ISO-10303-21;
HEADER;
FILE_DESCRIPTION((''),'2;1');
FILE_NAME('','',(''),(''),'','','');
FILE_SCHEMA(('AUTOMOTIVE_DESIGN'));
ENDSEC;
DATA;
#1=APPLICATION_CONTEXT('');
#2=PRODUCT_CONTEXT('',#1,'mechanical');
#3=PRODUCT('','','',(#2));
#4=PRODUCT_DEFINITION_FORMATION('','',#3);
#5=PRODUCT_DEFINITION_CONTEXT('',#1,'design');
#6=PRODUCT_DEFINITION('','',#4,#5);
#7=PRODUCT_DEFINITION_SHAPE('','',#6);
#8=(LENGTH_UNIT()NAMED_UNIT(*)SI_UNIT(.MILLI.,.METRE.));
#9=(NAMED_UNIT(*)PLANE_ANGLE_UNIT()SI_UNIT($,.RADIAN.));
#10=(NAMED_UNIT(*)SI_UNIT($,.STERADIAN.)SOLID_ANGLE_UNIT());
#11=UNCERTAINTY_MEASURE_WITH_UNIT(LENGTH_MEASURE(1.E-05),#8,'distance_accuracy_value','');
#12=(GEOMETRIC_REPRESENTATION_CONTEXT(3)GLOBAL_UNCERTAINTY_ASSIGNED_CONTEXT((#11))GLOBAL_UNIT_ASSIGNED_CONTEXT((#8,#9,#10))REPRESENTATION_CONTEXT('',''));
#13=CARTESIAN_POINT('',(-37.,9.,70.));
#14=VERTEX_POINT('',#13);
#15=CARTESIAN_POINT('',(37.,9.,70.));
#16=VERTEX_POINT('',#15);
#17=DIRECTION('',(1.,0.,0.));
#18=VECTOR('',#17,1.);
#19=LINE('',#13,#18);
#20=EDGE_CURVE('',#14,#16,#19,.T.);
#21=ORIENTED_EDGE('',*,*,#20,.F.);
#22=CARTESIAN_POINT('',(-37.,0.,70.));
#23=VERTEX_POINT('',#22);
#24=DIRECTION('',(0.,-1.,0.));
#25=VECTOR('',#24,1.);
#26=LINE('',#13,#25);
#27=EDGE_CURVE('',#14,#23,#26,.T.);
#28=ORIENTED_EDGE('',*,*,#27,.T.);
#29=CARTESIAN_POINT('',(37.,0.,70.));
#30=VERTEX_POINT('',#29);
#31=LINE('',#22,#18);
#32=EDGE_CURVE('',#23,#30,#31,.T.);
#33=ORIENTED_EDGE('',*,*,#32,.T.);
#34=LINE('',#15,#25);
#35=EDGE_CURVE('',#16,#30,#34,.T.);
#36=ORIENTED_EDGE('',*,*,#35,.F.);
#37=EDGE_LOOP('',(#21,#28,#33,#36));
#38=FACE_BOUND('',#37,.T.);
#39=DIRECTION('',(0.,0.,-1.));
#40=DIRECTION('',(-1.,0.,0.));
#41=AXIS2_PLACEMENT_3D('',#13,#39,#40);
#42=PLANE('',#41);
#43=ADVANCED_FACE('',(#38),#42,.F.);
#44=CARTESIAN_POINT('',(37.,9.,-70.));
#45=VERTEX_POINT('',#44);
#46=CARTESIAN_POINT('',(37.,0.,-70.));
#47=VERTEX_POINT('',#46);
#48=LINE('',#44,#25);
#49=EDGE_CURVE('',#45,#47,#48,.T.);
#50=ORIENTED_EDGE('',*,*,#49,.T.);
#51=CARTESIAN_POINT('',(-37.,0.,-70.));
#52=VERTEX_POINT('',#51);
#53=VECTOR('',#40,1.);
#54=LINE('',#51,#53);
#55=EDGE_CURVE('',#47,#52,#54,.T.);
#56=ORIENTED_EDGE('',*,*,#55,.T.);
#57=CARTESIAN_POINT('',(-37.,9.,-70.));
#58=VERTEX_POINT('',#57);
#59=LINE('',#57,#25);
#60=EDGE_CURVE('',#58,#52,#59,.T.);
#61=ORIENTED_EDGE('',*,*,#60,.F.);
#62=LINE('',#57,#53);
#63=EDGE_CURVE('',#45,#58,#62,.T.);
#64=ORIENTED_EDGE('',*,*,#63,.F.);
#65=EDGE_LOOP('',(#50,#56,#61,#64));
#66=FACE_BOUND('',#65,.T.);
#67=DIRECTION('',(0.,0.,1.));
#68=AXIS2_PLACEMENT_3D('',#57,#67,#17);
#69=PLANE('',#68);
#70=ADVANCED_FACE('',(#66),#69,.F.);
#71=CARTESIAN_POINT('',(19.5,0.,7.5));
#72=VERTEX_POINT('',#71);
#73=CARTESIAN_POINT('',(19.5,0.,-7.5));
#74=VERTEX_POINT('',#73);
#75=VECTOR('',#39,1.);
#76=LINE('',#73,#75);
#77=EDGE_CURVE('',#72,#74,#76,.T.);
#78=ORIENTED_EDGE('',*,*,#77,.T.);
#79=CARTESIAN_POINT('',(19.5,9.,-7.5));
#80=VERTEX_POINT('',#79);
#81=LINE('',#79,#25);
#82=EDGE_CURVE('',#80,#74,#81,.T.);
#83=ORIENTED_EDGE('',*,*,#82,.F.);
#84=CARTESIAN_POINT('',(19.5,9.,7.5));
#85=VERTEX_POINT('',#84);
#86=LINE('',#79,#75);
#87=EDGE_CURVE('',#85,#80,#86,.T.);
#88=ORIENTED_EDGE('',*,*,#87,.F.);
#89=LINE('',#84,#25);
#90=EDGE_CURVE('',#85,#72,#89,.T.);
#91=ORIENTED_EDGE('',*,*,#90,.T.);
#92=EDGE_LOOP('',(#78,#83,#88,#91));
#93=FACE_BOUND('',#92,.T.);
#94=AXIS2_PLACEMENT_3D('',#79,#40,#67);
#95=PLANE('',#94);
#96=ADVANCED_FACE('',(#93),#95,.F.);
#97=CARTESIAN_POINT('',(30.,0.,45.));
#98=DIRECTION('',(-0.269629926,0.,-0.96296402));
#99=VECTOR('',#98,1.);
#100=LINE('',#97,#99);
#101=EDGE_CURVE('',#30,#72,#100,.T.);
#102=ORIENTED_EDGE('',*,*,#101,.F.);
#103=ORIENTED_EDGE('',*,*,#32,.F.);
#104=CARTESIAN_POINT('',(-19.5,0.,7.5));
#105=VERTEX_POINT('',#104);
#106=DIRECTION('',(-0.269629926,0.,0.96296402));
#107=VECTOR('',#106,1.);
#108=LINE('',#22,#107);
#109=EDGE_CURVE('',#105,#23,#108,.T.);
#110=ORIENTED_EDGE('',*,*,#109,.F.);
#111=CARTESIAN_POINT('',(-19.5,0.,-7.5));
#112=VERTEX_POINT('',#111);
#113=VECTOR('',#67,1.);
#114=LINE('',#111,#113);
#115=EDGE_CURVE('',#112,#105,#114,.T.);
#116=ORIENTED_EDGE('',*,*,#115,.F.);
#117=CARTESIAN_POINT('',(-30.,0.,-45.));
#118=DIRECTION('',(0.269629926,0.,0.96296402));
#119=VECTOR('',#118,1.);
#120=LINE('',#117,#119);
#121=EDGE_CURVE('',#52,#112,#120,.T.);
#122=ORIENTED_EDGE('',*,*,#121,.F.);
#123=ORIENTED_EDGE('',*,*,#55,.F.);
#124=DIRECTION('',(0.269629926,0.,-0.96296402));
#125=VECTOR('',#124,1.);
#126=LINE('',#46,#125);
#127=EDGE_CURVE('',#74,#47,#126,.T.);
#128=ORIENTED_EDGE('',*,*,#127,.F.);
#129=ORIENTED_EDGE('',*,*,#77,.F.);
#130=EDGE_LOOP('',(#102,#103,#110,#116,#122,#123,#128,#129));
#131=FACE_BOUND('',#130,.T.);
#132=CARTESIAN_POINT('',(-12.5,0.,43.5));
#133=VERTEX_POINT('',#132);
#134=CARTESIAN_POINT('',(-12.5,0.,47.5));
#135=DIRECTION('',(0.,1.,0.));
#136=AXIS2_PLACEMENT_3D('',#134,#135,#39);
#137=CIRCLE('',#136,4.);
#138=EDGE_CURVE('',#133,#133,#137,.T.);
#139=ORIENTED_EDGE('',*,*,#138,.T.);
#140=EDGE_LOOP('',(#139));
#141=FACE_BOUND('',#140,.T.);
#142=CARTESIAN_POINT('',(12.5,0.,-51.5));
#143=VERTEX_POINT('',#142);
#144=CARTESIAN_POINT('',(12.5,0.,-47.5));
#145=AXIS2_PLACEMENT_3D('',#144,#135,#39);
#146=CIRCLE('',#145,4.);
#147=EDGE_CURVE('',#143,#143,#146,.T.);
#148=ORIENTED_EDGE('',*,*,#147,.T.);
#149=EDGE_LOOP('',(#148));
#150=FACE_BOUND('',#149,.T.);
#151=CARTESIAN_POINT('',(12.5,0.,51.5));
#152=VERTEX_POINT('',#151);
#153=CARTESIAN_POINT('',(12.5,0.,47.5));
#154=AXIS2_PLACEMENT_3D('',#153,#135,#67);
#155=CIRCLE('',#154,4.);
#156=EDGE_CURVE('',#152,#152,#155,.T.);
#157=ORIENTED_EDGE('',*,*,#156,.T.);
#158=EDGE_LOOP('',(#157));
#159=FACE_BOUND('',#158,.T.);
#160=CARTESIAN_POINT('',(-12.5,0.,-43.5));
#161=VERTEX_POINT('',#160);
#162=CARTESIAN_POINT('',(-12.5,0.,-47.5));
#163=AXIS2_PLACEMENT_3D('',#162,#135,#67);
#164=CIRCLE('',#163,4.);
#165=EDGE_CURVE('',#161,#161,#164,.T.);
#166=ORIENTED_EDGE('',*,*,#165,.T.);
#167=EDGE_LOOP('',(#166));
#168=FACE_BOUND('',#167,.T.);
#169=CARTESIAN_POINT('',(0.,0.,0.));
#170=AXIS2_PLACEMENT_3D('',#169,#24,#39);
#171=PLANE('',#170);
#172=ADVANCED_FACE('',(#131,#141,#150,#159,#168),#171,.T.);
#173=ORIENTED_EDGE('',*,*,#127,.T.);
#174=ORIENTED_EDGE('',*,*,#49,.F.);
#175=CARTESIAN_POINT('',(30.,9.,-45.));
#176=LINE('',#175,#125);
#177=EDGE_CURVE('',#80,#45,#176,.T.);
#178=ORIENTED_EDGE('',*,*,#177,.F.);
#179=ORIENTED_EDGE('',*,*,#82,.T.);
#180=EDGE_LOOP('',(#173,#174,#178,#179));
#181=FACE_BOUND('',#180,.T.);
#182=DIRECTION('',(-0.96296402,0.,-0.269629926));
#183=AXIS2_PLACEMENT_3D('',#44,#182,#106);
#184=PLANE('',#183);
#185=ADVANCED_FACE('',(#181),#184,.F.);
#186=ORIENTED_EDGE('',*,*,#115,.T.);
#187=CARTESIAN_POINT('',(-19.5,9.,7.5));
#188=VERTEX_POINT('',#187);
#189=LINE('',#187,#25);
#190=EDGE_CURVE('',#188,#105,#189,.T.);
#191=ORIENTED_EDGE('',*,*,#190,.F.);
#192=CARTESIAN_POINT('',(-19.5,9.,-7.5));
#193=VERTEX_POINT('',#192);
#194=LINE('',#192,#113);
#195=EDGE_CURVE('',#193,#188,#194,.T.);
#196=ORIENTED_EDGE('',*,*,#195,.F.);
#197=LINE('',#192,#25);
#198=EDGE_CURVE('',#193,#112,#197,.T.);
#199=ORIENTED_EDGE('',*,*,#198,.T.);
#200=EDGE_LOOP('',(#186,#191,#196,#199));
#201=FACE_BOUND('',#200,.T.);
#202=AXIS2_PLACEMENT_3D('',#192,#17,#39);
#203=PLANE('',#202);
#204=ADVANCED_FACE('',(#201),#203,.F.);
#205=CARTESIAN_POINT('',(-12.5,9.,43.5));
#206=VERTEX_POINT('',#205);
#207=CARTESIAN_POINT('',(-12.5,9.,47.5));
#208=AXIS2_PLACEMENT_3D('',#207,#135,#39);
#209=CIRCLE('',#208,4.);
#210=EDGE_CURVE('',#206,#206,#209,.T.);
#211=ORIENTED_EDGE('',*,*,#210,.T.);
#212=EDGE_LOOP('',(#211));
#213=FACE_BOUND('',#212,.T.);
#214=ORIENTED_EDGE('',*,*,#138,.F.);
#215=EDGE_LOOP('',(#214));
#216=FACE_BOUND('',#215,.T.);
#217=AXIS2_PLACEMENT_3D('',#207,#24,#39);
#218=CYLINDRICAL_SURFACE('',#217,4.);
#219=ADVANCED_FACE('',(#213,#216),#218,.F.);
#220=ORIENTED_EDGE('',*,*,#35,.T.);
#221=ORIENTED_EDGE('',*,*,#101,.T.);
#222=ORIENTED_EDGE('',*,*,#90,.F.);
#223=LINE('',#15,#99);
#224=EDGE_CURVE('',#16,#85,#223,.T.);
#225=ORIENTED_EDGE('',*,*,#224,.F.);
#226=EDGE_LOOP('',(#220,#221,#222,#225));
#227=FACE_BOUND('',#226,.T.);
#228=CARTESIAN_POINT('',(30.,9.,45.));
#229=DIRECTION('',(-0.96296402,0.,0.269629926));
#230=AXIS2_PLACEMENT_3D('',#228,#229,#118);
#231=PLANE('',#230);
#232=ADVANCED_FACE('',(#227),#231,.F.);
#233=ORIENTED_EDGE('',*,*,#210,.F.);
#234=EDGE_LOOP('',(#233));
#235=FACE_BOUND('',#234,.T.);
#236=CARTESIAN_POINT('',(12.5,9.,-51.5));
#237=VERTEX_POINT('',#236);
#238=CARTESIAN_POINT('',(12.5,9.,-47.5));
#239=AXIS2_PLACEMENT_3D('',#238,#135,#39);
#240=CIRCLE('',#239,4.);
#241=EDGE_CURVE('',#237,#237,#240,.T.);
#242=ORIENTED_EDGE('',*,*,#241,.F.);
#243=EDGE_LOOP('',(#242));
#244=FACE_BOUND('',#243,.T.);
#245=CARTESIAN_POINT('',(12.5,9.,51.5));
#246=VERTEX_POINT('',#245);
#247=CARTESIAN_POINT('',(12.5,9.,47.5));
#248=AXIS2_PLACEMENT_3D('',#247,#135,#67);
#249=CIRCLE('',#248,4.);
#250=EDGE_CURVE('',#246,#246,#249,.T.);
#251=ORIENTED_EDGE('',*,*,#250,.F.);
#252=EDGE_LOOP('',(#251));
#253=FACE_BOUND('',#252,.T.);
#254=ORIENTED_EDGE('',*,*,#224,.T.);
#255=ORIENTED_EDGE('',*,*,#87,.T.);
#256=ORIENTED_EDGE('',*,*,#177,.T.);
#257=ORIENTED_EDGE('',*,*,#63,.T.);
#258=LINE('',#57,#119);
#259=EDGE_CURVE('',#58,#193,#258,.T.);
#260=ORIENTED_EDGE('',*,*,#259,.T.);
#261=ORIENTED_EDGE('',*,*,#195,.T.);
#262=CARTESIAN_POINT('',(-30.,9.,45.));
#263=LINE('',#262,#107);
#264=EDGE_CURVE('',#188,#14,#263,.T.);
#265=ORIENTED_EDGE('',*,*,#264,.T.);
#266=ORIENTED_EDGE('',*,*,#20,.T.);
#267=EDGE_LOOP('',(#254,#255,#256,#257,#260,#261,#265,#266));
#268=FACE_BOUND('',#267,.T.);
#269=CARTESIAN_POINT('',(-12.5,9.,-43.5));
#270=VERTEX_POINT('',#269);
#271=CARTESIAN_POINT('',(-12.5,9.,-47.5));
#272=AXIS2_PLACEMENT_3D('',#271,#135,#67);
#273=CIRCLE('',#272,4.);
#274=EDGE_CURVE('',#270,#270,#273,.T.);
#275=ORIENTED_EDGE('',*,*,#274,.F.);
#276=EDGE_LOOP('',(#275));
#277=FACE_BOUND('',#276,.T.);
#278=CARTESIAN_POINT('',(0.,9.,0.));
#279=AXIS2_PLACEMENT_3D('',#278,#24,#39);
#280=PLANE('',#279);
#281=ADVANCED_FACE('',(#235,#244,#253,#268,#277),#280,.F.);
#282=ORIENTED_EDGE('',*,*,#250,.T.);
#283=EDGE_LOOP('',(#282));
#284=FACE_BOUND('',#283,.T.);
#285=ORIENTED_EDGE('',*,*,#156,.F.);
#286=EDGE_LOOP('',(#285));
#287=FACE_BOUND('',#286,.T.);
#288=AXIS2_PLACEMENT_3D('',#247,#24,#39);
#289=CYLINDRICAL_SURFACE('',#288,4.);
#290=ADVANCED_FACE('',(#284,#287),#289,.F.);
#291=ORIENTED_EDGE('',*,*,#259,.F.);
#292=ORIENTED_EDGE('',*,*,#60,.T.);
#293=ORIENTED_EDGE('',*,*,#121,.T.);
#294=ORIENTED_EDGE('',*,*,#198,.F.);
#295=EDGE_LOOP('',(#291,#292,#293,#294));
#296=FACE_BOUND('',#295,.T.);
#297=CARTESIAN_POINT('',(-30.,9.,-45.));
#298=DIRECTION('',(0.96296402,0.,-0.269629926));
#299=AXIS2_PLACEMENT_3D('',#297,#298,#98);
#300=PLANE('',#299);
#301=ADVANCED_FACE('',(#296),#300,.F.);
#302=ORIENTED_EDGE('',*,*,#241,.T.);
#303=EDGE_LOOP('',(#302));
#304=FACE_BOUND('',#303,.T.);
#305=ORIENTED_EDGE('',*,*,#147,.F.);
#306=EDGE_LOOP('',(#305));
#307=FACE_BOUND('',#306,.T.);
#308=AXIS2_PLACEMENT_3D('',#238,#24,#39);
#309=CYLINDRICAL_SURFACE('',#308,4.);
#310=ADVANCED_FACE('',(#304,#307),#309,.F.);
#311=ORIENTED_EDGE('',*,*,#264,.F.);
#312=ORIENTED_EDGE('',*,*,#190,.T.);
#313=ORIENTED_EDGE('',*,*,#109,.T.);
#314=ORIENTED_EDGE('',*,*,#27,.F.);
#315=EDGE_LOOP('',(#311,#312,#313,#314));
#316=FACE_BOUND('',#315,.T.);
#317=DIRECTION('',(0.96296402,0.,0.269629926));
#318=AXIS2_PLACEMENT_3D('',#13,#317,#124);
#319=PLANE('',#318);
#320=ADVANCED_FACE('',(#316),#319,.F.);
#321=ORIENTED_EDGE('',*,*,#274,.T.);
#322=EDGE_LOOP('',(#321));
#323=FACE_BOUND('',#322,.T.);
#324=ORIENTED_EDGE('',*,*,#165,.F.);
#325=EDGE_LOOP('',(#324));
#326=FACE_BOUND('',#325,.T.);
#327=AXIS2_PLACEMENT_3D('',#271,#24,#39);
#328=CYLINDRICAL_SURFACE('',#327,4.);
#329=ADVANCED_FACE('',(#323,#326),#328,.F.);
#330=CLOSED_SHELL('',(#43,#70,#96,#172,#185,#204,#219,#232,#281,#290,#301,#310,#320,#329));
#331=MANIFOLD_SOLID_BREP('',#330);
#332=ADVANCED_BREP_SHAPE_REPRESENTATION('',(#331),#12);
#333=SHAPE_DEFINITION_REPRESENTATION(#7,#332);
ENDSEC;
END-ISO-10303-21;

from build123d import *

# Parameters (mm, degrees)
SKETCH1_R           = 4
BOSS_EXTRUDE1_DEPTH = 9


with BuildPart() as part:
    # Sketch1 → Boss-Extrude1 (new body)
    with BuildSketch(Plane(origin=(0, 0, 0), x_dir=(1, 0, 0), z_dir=(0, 1, 0))):
        Polygon((-37, 70), (-30, 45), (-19.5, 7.5), (-19.5, -7.5), (-30, -45), (-37, -70), (37, -70), (30, -45), (19.5, -7.5), (19.5, 7.5), (30, 45), (37, 70), align=None)
        with Locations(Location((-12.5, 47.5, 0), (0, 0, 270))):
            Circle(SKETCH1_R, mode=Mode.SUBTRACT)
        with Locations(Location((12.5, 47.5, 0), (0, 0, 90))):
            Circle(SKETCH1_R, mode=Mode.SUBTRACT)
        with Locations(Location((12.5, -47.5, 0), (0, 0, 270))):
            Circle(SKETCH1_R, mode=Mode.SUBTRACT)
        with Locations(Location((-12.5, -47.5, 0), (0, 0, 90))):
            Circle(SKETCH1_R, mode=Mode.SUBTRACT)
    extrude(amount=BOSS_EXTRUDE1_DEPTH)


solid = part.part
